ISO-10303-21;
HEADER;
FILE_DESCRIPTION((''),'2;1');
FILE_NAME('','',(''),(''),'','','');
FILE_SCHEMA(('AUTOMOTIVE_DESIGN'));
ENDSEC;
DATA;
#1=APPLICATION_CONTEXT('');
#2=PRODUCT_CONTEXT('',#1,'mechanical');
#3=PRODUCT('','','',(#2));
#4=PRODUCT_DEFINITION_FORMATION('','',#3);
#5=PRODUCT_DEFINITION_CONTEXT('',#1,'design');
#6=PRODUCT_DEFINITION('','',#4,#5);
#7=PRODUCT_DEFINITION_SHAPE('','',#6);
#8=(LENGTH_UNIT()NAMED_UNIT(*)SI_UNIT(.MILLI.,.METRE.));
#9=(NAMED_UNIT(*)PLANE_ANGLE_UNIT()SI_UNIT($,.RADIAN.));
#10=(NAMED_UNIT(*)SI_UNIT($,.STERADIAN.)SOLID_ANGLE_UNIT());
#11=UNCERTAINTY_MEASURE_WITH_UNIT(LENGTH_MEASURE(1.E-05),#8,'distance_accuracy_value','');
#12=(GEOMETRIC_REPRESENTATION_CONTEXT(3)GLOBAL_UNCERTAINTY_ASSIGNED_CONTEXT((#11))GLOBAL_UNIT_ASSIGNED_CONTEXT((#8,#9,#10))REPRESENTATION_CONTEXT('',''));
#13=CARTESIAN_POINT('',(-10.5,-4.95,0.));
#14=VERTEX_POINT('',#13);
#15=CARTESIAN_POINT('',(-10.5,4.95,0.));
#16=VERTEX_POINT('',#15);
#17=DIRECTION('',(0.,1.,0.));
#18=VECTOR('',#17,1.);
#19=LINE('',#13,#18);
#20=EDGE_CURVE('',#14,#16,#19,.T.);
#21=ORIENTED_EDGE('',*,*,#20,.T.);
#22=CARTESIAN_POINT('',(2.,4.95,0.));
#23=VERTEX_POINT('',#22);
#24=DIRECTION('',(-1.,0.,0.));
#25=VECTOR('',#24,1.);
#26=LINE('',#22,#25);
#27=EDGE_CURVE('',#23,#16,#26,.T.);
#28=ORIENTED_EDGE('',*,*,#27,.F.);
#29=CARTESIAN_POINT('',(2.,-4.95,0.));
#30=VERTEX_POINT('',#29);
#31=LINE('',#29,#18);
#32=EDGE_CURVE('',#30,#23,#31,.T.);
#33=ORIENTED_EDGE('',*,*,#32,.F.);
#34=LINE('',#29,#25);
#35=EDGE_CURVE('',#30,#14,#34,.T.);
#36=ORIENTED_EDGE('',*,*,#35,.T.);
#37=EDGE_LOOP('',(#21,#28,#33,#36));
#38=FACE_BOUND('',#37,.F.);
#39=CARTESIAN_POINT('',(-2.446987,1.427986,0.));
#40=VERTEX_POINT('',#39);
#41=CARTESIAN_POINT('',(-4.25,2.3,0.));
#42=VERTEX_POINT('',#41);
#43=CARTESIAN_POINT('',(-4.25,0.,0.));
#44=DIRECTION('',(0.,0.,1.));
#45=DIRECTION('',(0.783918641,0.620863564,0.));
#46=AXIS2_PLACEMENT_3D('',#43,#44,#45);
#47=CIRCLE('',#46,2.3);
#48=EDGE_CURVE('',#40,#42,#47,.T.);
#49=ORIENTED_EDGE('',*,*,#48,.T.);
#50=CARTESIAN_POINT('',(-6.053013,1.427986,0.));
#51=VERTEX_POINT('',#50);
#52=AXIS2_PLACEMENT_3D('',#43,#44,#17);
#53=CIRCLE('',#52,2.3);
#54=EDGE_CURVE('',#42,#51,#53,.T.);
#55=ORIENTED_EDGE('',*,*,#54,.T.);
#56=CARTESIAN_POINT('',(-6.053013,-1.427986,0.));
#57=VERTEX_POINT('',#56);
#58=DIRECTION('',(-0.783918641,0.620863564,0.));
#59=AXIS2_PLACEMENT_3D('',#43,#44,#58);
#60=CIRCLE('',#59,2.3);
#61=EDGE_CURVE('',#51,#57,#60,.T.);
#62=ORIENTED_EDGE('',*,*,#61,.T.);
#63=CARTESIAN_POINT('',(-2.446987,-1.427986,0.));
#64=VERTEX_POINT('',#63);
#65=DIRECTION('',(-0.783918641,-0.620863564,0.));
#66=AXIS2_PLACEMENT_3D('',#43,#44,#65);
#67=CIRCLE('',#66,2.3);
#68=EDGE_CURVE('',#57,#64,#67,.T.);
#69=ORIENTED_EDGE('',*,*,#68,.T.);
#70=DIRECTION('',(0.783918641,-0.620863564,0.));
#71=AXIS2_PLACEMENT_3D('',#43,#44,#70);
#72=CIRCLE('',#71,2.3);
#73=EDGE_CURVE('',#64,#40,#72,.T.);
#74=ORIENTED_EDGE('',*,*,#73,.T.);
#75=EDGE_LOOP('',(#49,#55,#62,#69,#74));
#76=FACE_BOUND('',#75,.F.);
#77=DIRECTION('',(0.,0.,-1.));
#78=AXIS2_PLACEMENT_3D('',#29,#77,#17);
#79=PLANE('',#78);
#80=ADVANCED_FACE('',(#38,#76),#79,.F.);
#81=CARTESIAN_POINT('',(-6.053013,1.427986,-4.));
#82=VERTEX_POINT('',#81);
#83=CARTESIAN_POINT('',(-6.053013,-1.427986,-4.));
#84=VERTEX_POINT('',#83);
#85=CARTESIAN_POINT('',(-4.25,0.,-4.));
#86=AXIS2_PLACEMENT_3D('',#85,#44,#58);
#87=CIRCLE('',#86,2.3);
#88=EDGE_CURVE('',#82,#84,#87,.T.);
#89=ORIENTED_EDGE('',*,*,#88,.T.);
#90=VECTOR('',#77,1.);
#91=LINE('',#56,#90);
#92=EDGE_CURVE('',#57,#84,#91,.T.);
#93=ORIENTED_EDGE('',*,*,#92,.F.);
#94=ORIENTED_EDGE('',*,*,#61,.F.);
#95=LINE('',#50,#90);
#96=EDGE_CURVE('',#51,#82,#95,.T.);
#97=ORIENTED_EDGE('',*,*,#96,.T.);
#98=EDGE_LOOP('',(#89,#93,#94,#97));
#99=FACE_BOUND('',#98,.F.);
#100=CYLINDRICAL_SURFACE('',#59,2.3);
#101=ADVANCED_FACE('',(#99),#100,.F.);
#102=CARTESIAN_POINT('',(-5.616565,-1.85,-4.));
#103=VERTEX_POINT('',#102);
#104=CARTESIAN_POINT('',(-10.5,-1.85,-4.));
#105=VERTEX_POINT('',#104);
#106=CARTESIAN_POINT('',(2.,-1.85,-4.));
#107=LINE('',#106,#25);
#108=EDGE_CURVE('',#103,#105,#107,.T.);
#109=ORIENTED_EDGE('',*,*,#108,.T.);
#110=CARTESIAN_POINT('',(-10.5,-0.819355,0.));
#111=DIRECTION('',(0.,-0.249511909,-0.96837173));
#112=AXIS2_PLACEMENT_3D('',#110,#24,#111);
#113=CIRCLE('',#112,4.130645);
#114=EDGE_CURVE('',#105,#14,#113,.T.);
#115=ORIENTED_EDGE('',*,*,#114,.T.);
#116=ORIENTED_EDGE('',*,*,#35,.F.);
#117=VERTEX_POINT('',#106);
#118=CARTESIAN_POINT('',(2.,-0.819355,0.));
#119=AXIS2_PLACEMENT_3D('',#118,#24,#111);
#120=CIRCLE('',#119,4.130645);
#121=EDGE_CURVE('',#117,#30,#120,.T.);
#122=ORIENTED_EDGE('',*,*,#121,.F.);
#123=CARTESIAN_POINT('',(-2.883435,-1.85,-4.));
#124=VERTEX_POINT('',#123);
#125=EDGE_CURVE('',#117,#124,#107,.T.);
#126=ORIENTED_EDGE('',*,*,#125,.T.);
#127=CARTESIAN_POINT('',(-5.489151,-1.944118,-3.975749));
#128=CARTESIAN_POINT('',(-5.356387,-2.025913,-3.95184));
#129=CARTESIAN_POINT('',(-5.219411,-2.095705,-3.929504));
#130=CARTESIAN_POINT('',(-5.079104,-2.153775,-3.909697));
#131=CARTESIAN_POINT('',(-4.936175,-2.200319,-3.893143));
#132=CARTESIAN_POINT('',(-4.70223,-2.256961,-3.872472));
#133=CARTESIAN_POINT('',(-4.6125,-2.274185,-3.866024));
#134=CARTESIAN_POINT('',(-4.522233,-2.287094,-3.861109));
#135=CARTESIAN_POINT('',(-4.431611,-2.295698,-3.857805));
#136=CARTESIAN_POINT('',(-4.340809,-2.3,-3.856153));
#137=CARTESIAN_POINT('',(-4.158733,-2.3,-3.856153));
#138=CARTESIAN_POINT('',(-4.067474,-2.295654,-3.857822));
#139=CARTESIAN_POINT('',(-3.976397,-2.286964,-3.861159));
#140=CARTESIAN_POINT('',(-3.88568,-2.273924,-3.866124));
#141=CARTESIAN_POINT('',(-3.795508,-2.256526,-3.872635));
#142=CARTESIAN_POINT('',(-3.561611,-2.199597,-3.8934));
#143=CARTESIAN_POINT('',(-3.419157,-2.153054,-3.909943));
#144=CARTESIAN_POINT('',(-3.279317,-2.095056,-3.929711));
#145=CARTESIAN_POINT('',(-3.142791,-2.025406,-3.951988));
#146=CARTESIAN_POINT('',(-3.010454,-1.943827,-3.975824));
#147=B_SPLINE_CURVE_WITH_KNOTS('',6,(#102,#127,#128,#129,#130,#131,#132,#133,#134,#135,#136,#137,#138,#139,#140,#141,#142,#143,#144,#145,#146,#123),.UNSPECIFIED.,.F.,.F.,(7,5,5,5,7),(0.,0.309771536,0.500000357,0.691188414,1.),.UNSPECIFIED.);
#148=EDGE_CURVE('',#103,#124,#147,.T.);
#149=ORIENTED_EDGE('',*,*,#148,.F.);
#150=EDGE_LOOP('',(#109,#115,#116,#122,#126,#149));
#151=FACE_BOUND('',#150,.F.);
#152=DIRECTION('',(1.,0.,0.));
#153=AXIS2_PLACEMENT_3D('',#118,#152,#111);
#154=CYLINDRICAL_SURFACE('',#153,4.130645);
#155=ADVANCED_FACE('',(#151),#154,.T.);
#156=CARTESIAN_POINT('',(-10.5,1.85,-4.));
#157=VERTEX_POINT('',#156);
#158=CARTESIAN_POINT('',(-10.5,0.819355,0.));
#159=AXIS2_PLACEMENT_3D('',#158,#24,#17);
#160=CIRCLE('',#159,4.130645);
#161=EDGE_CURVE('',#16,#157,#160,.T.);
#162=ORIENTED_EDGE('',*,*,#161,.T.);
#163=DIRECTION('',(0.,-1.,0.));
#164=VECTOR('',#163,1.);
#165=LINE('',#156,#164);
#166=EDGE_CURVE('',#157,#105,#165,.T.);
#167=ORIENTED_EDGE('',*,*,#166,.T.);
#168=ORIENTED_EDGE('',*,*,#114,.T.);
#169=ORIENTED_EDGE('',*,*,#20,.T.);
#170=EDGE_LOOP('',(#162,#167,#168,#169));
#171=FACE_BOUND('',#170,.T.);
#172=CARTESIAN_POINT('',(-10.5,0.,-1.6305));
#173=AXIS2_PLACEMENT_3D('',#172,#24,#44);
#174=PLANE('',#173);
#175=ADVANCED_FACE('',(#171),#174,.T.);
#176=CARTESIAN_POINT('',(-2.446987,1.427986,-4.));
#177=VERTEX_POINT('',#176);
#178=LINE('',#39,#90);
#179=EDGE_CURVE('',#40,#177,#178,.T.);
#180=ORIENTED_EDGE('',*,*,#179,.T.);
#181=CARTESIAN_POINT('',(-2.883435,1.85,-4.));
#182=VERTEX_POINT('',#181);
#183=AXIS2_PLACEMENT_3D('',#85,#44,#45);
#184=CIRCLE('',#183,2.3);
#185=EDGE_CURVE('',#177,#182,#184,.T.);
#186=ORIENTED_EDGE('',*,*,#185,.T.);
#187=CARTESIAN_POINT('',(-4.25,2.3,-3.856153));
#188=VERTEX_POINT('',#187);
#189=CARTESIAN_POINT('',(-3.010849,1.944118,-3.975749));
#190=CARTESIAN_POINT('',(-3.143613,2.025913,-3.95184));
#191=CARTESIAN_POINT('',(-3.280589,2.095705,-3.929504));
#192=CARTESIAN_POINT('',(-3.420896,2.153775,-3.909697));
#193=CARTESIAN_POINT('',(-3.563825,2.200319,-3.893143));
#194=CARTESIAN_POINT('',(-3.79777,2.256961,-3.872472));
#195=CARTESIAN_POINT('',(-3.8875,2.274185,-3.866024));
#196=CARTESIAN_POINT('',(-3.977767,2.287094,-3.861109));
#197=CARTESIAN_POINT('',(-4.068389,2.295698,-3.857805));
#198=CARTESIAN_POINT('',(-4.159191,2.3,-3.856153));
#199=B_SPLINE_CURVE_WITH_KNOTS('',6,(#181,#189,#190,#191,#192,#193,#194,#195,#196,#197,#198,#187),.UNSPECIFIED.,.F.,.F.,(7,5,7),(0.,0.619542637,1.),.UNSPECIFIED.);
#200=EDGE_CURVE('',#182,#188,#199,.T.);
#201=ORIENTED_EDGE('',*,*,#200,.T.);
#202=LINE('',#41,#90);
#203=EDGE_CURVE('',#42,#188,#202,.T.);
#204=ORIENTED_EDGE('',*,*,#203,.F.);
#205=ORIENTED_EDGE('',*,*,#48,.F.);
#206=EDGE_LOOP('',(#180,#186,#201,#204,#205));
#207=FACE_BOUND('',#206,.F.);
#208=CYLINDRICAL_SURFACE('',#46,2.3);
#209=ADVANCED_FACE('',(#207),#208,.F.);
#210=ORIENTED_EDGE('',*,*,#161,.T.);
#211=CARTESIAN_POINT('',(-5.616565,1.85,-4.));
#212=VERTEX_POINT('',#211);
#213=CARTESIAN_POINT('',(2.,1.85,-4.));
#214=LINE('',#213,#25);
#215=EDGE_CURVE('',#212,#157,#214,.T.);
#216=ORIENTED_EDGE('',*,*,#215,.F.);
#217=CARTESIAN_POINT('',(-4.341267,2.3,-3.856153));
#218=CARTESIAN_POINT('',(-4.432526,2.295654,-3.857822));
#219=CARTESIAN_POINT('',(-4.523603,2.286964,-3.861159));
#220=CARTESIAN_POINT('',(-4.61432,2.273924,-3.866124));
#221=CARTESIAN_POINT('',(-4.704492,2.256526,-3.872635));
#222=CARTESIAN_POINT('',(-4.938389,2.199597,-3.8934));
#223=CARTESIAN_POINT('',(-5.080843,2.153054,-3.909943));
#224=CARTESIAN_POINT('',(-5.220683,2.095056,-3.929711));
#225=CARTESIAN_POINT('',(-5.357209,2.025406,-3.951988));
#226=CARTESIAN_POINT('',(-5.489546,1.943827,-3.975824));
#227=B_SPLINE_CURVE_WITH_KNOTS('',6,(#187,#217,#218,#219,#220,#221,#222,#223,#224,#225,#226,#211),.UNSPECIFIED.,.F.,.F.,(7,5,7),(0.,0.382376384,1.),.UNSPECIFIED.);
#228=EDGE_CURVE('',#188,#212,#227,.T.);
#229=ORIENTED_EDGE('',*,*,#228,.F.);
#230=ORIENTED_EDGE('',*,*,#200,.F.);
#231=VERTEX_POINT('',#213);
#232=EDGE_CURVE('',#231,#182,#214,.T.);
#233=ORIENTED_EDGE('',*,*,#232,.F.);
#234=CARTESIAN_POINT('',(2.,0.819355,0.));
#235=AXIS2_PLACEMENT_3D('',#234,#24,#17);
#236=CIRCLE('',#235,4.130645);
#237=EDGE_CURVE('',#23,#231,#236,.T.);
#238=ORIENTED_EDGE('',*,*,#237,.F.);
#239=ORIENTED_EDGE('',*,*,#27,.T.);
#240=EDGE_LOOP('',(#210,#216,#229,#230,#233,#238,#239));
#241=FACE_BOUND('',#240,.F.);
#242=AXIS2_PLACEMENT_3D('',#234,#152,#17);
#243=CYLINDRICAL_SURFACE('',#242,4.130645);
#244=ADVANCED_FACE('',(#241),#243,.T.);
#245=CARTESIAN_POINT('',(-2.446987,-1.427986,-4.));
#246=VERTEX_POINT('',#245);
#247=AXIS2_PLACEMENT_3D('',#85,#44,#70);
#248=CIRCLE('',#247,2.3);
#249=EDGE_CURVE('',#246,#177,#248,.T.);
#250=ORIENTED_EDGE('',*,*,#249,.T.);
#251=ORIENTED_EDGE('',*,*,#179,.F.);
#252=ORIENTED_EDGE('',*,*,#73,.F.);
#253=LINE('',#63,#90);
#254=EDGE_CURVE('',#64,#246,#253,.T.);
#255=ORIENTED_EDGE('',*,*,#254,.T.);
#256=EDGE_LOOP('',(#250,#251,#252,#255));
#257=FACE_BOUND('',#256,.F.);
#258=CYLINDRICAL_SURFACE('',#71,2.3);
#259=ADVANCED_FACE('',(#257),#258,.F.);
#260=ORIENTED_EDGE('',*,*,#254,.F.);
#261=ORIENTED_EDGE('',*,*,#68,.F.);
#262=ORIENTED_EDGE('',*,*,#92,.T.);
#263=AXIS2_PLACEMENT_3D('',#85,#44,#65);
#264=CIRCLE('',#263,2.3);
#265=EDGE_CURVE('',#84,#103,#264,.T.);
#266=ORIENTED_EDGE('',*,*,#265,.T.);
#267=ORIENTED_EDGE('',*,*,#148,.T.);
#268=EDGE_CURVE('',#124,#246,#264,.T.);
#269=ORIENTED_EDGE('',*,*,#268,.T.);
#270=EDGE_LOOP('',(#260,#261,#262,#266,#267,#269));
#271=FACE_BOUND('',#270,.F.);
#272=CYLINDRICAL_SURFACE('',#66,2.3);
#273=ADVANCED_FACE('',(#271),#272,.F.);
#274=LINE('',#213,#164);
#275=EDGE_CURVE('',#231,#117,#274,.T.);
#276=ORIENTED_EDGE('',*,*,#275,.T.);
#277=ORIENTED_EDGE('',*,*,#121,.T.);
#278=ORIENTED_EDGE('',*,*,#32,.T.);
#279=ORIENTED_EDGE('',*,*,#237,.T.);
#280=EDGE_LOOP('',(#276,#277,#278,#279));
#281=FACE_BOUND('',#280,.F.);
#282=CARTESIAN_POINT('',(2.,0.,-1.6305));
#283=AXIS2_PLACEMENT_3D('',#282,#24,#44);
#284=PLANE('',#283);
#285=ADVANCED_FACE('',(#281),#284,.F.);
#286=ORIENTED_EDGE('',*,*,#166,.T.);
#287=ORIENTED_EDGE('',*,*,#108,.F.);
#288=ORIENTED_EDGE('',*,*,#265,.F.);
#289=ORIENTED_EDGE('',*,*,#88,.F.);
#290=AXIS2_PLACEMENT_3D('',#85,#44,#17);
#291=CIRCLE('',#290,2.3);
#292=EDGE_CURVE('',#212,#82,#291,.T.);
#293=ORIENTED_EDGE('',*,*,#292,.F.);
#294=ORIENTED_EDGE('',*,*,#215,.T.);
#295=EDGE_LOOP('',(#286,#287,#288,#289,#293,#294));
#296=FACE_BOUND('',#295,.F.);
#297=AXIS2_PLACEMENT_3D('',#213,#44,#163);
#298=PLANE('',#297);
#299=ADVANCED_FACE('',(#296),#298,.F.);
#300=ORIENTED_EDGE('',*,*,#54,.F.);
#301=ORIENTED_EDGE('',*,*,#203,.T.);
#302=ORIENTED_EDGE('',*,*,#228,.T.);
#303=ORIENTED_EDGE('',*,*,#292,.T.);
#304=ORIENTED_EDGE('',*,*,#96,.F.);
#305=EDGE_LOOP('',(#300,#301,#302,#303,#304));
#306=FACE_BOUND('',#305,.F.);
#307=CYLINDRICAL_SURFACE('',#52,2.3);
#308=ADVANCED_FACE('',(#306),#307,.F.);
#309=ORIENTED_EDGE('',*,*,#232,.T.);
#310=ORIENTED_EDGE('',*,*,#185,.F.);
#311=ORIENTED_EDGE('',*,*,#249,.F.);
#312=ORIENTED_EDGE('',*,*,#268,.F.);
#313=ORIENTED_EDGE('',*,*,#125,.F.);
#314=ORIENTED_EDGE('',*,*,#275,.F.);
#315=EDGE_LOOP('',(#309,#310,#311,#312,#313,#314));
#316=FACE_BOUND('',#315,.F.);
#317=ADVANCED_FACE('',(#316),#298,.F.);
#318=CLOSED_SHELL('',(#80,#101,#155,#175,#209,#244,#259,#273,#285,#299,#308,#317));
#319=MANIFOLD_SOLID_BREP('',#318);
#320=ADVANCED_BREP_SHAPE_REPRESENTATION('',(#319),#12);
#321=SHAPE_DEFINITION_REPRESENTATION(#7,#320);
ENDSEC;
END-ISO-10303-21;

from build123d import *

# Parameters (mm, degrees)
F1_DEPTH = 12.5
F3_DEPTH = 4
F4_ANGLE = 90


with BuildPart() as f1:
    # F0 (on Top) → F1 (new body)
    with BuildSketch(Plane.XY):
        with BuildLine():
            Line((2, -4.95), (2, 4.95))
            ThreePointArc((2, 4.95), (-0.5303161858, 4.0842789494), (-2, 1.85))
            Line((-2, 1.85), (-2, -1.85))
            ThreePointArc((-2, -1.85), (-0.5303161858, -4.0842789494), (2, -4.95))
        make_face()
    extrude(amount=F1_DEPTH)

    # F2 (on face) → F3 (cut)
    with BuildSketch(Plane.YZ.offset(2)):
        with BuildLine():
            Line((0, 6.25), (-1.4279861962, 4.4469871261))
            ThreePointArc((-1.4279861962, 4.4469871261), (0, 3.95), (1.4279861962, 4.4469871261))
            Line((1.4279861962, 4.4469871261), (0, 6.25))
        make_face()
        with BuildLine():
            Line((1.4279861962, 8.0530128739), (0, 6.25))
            Line((0, 6.25), (1.4279861962, 4.4469871261))
            ThreePointArc((1.4279861962, 4.4469871261), (2.0705516476, 5.2485930525), (2.3, 6.25))
            ThreePointArc((2.3, 6.25), (2.0705516476, 7.2514069475), (1.4279861962, 8.0530128739))
        make_face()
        with BuildLine():
            Line((-1.4279861962, 8.0530128739), (0, 6.25))
            Line((0, 6.25), (1.4279861962, 8.0530128739))
            ThreePointArc((1.4279861962, 8.0530128739), (0, 8.55), (-1.4279861962, 8.0530128739))
        make_face()
        with BuildLine():
            ThreePointArc((-1.4279861962, 8.0530128739), (-2.3, 6.25), (-1.4279861962, 4.4469871261))
            Line((-1.4279861962, 4.4469871261), (0, 6.25))
            Line((0, 6.25), (-1.4279861962, 8.0530128739))
        make_face()
    extrude(amount=-F3_DEPTH, mode=Mode.SUBTRACT)


with BuildPart() as f1_1:
    # F4: moved
    add(f1.part.rotate(Axis((2, 0, 0), (0, -1, 0)), F4_ANGLE))


solid = f1_1.part
